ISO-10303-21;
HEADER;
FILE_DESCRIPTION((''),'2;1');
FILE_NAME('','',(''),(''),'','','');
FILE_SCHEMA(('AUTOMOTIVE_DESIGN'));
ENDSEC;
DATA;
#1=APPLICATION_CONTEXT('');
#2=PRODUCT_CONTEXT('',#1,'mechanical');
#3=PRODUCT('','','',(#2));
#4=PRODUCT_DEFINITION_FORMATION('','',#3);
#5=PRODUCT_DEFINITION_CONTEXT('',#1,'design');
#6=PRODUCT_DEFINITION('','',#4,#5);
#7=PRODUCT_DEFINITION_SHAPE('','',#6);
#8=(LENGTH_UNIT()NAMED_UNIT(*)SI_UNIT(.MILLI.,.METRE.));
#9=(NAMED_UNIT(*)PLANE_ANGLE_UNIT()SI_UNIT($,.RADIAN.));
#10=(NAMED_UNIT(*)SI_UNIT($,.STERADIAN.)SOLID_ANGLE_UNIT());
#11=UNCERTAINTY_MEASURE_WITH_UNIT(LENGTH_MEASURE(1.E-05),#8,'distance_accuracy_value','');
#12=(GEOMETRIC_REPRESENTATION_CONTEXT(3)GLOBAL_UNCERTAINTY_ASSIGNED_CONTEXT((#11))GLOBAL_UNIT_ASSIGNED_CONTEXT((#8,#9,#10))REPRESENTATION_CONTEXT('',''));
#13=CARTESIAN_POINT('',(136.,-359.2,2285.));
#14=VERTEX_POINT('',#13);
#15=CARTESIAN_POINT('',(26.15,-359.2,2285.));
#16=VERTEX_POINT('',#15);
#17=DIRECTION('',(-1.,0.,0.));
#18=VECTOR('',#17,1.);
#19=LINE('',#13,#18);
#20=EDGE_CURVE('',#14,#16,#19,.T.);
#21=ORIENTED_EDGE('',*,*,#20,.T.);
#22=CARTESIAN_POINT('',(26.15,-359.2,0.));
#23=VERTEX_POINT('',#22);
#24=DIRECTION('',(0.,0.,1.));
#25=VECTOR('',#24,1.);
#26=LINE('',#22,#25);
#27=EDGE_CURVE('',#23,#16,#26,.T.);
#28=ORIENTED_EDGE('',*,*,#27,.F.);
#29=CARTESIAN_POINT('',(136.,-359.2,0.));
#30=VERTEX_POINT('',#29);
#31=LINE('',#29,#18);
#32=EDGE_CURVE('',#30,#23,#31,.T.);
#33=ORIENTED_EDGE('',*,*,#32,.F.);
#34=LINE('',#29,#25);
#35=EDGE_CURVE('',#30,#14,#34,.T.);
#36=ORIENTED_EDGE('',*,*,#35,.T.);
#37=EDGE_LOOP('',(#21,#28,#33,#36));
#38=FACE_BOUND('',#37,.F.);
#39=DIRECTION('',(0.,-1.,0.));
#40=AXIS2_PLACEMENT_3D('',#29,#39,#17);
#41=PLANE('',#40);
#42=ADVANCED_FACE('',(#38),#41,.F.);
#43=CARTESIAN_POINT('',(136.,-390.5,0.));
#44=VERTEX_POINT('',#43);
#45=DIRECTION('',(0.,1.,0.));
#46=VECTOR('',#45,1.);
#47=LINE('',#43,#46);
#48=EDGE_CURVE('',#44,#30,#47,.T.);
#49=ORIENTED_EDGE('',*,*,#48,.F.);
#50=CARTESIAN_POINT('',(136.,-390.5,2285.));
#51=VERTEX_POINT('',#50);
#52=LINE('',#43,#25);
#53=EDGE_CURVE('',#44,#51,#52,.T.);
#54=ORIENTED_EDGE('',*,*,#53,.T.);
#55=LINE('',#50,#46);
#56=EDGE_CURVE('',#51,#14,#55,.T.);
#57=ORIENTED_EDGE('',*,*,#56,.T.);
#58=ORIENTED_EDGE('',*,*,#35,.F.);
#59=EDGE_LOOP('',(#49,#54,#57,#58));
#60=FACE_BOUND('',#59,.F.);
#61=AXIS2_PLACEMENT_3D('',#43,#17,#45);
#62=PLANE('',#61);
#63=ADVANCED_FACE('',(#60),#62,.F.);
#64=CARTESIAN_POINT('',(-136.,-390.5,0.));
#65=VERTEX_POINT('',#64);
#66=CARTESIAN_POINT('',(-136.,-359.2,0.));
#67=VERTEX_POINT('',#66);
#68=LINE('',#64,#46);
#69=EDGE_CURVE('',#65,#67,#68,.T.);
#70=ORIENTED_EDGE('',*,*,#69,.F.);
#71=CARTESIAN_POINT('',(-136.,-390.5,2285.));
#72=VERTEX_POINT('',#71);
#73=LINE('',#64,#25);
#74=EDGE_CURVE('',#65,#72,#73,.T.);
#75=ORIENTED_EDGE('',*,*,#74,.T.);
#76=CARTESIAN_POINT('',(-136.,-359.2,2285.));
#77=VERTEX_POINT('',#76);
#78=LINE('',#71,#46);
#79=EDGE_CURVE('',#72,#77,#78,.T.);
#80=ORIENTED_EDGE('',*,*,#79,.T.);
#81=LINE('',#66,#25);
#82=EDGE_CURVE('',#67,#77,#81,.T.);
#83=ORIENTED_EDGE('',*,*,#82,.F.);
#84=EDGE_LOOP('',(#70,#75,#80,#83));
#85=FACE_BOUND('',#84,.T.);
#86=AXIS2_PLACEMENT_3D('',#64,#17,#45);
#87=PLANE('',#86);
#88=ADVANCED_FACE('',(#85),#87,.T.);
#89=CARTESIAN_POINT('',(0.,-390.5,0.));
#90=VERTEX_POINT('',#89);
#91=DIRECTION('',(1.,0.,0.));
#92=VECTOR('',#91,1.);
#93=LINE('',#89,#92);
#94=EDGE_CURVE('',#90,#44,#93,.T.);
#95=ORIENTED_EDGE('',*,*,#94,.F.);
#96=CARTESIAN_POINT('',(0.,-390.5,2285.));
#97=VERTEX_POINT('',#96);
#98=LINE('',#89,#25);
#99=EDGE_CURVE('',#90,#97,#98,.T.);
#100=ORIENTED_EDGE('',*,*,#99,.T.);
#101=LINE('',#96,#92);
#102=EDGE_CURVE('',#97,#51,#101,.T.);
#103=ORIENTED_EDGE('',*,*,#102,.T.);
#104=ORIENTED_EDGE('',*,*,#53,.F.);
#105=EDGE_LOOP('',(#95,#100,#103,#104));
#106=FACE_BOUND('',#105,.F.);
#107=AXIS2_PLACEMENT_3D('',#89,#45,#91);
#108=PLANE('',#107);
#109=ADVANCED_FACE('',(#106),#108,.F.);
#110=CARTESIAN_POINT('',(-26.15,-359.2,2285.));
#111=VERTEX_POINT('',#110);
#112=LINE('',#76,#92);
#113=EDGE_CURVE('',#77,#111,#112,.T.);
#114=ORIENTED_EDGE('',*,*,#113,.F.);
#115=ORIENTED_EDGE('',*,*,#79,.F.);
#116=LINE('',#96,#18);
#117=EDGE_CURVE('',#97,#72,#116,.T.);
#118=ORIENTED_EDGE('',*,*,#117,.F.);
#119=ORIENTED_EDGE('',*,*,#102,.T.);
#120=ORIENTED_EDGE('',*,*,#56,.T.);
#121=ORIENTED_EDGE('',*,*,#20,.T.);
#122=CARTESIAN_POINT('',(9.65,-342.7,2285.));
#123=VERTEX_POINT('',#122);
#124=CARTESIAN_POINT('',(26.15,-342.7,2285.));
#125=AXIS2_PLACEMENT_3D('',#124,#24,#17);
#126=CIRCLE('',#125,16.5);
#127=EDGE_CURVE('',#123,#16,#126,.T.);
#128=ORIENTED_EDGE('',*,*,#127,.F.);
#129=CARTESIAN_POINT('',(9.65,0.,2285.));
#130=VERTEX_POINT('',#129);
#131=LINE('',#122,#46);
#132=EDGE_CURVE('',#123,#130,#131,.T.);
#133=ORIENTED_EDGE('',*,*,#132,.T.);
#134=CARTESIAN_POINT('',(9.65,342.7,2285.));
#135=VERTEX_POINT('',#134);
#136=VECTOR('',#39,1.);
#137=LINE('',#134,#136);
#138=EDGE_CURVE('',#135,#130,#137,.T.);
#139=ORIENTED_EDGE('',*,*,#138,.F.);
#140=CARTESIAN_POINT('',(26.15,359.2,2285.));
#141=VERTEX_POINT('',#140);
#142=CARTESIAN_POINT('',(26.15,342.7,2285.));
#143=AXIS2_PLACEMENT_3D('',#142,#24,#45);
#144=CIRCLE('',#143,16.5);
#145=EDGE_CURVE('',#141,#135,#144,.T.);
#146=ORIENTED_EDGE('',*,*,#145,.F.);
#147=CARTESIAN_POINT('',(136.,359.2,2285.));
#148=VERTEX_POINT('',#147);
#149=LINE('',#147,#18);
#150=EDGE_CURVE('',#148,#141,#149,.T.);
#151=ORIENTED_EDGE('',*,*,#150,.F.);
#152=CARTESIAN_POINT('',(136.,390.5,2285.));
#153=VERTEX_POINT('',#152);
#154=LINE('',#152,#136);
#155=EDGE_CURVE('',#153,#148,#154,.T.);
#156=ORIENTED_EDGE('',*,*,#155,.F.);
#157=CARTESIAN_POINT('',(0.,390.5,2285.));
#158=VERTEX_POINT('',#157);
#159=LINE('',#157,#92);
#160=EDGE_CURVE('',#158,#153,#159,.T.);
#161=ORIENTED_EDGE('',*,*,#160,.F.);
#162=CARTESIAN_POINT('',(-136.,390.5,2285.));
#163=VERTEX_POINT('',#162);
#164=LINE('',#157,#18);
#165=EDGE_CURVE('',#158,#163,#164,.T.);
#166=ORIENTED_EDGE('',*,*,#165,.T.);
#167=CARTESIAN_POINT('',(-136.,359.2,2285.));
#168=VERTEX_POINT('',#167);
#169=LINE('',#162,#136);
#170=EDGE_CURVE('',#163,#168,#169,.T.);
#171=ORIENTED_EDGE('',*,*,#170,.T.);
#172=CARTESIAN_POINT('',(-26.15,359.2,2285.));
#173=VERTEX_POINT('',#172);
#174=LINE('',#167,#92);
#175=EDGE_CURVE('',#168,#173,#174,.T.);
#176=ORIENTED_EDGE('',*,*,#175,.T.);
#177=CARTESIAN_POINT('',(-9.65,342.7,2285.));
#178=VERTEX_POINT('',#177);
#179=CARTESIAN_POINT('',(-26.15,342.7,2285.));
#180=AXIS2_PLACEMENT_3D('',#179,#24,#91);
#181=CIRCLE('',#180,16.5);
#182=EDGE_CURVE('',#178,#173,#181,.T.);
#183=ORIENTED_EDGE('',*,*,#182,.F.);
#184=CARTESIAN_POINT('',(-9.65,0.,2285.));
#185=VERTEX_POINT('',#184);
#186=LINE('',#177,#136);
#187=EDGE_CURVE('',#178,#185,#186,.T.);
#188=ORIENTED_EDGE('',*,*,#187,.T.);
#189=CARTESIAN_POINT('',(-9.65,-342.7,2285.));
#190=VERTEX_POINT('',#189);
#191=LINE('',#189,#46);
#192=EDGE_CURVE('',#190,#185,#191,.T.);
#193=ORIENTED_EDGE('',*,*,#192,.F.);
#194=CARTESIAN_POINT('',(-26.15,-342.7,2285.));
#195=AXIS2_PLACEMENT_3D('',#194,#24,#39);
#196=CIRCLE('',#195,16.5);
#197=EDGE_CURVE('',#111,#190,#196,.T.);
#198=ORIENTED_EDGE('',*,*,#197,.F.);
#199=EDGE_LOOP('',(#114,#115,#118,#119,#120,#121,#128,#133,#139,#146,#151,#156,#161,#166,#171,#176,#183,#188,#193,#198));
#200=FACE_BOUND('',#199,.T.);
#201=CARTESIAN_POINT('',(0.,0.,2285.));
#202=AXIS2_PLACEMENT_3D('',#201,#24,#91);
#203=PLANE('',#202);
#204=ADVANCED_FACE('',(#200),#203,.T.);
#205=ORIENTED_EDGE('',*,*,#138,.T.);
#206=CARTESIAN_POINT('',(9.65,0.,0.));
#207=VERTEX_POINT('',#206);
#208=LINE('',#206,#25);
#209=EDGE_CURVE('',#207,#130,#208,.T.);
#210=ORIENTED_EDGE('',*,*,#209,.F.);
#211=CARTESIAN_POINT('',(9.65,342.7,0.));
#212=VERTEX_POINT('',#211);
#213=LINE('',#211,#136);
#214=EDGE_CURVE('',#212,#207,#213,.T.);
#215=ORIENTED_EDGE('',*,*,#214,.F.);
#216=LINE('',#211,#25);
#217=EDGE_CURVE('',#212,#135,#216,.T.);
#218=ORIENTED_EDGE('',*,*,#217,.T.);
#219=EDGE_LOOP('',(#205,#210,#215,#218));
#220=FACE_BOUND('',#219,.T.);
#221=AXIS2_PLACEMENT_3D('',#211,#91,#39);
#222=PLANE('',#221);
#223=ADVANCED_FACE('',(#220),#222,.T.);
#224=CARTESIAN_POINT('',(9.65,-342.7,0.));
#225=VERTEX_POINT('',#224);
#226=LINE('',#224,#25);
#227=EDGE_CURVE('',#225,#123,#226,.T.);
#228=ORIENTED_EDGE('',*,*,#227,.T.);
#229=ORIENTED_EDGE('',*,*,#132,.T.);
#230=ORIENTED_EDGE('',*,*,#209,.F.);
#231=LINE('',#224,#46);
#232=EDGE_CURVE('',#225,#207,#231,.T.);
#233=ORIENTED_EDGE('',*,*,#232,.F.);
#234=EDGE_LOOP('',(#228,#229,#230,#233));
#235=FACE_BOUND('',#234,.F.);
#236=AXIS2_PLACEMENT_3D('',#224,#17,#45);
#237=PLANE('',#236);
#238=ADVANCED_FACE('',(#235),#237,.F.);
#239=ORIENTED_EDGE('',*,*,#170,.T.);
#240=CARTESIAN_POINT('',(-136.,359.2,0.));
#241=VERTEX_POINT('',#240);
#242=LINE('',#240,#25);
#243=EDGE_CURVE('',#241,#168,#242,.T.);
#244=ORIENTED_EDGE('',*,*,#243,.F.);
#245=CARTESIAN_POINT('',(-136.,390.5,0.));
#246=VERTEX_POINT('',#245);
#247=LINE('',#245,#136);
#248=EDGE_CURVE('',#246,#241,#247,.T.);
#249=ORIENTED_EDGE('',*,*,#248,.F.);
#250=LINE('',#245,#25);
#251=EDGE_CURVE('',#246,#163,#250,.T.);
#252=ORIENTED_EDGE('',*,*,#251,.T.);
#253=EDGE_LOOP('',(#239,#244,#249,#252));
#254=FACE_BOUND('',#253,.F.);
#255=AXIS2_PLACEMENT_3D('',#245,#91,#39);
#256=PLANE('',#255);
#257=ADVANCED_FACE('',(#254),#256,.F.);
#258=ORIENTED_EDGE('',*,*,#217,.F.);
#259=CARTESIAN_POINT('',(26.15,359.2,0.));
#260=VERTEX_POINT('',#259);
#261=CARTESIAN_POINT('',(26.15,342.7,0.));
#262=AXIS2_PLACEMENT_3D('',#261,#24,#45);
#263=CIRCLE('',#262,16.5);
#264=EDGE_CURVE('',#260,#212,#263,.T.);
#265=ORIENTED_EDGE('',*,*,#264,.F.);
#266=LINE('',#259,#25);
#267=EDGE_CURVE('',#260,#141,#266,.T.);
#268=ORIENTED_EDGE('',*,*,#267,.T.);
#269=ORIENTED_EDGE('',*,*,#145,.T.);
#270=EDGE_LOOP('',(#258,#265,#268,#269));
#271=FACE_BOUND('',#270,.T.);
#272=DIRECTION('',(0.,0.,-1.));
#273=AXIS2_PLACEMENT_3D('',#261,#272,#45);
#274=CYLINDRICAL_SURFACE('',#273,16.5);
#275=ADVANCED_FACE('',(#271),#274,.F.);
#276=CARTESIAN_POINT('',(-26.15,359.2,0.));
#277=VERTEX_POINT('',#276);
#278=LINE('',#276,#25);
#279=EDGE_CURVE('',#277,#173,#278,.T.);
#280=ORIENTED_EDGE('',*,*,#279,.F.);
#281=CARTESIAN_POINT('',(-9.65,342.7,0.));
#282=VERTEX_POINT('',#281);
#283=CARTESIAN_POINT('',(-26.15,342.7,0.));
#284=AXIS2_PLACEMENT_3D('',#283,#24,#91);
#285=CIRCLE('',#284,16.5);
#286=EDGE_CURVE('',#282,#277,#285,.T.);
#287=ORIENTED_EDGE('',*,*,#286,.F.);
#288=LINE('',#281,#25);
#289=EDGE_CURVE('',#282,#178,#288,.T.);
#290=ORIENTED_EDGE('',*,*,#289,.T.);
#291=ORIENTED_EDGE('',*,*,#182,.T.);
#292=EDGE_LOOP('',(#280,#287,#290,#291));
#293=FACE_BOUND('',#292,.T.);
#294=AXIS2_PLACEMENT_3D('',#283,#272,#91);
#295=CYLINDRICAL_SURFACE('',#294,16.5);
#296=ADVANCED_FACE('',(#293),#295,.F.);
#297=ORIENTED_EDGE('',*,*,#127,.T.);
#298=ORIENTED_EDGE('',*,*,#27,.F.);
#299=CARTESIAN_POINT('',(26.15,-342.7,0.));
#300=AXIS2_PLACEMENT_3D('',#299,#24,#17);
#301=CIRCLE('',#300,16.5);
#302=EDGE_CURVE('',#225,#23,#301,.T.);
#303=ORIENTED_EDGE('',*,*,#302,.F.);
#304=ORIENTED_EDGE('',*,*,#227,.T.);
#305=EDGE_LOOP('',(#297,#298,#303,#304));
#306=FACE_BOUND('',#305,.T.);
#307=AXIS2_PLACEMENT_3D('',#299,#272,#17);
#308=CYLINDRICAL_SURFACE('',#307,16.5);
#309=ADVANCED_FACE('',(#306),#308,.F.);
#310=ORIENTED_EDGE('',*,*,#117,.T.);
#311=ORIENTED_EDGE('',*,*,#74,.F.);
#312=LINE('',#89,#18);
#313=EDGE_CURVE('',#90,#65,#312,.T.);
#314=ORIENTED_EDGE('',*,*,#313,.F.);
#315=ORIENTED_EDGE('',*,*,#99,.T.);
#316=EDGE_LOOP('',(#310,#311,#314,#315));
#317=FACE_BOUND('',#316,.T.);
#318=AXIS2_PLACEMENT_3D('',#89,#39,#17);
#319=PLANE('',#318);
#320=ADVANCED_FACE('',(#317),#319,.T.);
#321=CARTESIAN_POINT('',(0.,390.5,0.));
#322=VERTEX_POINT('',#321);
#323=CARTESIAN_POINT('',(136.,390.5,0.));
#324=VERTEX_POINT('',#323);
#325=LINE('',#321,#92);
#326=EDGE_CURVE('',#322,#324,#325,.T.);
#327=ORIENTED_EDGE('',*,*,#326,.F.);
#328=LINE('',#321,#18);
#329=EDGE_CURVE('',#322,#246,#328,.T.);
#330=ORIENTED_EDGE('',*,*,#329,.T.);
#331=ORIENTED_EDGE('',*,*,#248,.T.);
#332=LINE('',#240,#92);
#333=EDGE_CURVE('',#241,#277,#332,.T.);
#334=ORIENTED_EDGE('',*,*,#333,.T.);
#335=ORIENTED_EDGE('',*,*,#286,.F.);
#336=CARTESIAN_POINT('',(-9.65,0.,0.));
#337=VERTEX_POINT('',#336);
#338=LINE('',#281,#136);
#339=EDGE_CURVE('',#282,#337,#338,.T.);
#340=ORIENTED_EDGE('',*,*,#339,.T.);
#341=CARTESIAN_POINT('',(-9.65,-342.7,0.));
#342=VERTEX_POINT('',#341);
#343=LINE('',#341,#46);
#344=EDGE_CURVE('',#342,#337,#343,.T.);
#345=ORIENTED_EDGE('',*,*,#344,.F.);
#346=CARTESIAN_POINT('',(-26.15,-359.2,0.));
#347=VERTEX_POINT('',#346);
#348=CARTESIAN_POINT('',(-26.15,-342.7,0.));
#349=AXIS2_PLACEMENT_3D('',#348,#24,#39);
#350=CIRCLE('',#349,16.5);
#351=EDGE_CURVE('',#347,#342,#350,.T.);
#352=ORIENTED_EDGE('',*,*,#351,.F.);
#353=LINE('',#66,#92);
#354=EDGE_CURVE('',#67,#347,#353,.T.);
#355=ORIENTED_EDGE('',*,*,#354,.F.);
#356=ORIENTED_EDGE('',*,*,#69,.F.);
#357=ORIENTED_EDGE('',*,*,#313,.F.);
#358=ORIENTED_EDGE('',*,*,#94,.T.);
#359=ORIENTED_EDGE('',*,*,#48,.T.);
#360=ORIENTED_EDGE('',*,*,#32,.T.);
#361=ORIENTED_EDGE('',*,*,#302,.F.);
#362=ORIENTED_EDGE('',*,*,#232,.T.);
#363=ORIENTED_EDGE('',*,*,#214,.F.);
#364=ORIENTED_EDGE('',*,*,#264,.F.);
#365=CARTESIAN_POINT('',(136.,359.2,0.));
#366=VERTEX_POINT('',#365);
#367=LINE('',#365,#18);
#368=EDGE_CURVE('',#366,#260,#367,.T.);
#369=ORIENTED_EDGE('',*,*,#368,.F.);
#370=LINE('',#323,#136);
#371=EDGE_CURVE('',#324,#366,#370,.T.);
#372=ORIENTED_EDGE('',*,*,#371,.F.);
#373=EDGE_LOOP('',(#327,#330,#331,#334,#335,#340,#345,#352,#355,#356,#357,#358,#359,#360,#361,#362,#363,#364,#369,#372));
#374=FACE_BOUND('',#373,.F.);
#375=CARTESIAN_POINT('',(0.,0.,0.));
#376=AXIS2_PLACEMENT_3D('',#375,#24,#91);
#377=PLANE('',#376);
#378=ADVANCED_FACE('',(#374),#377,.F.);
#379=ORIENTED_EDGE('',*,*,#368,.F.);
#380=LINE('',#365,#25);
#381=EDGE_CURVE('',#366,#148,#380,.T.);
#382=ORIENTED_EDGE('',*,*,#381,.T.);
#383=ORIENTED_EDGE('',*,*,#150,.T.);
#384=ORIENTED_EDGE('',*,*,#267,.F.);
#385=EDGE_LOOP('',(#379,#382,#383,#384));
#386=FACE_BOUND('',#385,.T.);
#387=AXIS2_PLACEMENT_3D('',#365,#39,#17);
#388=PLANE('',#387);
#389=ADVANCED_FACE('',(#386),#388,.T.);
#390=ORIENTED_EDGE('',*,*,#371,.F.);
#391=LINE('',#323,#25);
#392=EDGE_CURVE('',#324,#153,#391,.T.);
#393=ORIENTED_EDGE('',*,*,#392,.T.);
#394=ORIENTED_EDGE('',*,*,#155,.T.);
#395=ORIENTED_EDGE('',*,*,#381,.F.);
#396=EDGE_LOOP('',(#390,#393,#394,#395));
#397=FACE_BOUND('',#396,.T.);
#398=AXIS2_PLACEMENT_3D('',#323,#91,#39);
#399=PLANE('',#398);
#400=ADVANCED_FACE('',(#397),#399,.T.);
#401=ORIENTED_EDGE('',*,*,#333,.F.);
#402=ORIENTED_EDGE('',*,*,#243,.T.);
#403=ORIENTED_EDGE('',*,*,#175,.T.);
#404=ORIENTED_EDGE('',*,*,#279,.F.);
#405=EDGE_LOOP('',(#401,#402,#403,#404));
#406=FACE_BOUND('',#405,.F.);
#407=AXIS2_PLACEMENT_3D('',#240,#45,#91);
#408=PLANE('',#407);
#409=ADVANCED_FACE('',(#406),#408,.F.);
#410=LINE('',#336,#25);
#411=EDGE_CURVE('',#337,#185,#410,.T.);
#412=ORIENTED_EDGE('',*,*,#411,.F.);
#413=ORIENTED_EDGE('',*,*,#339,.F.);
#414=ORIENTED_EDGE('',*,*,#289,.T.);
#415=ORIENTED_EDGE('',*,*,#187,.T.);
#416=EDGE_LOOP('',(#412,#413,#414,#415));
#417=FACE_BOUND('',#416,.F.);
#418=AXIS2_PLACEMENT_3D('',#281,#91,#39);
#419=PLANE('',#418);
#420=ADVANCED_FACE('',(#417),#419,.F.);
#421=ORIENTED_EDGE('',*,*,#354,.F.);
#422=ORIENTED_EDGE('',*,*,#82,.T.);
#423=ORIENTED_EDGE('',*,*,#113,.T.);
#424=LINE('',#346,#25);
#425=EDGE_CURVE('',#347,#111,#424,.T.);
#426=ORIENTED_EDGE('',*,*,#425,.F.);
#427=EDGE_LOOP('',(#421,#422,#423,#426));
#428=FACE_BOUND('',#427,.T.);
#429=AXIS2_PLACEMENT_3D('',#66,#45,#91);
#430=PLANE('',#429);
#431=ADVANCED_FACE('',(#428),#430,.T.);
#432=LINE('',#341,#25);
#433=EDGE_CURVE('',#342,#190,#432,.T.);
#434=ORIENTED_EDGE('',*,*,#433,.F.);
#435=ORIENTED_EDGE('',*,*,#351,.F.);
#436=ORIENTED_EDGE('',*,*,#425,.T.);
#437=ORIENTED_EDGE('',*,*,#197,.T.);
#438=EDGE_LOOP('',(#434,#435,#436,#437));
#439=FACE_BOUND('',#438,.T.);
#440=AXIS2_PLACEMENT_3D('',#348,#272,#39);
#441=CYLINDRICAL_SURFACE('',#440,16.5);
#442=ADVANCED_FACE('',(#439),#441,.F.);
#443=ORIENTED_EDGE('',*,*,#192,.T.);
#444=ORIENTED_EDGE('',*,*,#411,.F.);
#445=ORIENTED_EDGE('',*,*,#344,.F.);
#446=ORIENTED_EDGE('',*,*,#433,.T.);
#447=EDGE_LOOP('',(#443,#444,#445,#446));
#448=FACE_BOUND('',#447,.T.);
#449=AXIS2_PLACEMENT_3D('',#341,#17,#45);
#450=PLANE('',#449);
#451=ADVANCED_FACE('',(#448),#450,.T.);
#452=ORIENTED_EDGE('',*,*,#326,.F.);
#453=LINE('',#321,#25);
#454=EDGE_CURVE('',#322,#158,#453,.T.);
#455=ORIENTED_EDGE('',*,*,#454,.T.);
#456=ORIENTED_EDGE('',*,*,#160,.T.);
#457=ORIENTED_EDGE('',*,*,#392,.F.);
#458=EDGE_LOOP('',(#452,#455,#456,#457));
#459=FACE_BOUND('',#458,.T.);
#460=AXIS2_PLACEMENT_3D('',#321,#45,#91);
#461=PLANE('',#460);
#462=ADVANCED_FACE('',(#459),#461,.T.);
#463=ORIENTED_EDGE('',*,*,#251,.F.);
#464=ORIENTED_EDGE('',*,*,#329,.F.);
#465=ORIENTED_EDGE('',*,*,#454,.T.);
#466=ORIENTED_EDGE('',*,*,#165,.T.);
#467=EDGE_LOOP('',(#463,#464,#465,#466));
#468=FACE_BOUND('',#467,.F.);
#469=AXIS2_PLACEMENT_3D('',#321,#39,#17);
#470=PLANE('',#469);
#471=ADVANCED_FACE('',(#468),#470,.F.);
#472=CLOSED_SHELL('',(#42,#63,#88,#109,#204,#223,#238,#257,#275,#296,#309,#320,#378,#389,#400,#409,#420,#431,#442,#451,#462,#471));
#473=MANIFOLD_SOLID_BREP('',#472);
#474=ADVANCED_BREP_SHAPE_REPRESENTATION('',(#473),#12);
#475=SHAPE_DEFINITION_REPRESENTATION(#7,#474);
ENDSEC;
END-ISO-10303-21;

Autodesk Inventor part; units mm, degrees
ref_plane "YZ Plane" through (0, 0, 0) normal (1, 0, 0) x (0, 1, 0)
ref_plane "Start plane" through (0, 0, 0) normal (0, 0, 1) x (1, 0, 0)
ref_plane "End plane" through (0, 0, 2285) normal (0, 0, 1) x (1, 0, 0)
sketch "Sketch" plane through (0, 0, 0) normal (0, 0, 1) x (1, 0, 0)
  line L0 (-136, -390.5) -> (-136, -359.2)
  line L1 (-136, -359.2) -> (-26.15, -359.2)
  line L2 (-9.65, -342.7) -> (-9.65, 0)
  line L3 (-9.65, 0) -> (0, 0) construction
  line L4 (0, 0) -> (0, -390.5) construction
  line L5 (0, -390.5) -> (-136, -390.5)
  line L6 (-60, 0) -> (80, 0) construction
  line L7 (0, -60) -> (0, 80) construction
  line L8 (136, -390.5) -> (136, -359.2)
  line L9 (136, -359.2) -> (26.15, -359.2)
  line L10 (9.65, -342.7) -> (9.65, 0)
  line L11 (9.65, 0) -> (0, 0) construction
  line L12 (0, -390.5) -> (136, -390.5)
  line L13 (-136, 390.5) -> (-136, 359.2)
  line L14 (-136, 359.2) -> (-26.15, 359.2)
  line L15 (-9.65, 342.7) -> (-9.65, 0)
  line L16 (0, 390.5) -> (-136, 390.5)
  line L17 (136, 390.5) -> (136, 359.2)
  line L18 (136, 359.2) -> (26.15, 359.2)
  line L19 (0, 390.5) -> (136, 390.5)
  line L20 (9.65, 342.7) -> (9.65, 0)
  arc A0 (-9.65, 342.7) -> (-26.15, 359.2) centre (-26.15, 342.7) ccw
  arc A1 (26.15, 359.2) -> (9.65, 342.7) centre (26.15, 342.7) ccw
  arc A2 (9.65, -342.7) -> (26.15, -359.2) centre (26.15, -342.7) ccw
  arc A3 (-26.15, -359.2) -> (-9.65, -342.7) centre (-26.15, -342.7) ccw
  line L21 (0, 108) -> (0, -88) construction
  line L22 (-88, 0) -> (108, 0) construction
  point P0 (-9.65, -359.2)
  point P1 (9.65, -359.2)
  point P2 (-9.65, 359.2)
  point P3 (9.65, 359.2)
  dimension "d1" = 390.5
  dimension "d2" = 31.3
  dimension "d3" = 136
  dimension "d4" = 9.65
  dimension "d10" = 16.5
extrude "Body" add sketch "Sketch" along normal up to surface (2285 mm away) from surface at 0
sketch "Sketch4" plane through (0, 0, 0) normal (0, 0, 1) x (1, 0, 0)
  line L0 (0, 0) -> (10, 0)
ref_plane "Work Plane3" through (0, 0, 0) normal (0, -1, 0) x (1, 0, 0)
sketch "Sketch5" plane through (0, 0, 0) normal (0, -1, 0) x (1, 0, 0)
  line L0 (-2, 0) -> (12, 0) projected
  line L1 (-2, 2285) -> (12, 2285) projected
  dimension "d14" = 2285
equation "\"d1\" = 0.5 * G_H"
equation "\"d2\" = G_T1"
equation "\"d3\" = 0.5 * G_W"
equation "\"d4\" = 0.5 * G_T"
equation "\"d10\" = G_IR"
equation "\"d5\" = G_L"
equation "\"G_W\" = 272"
equation "\"G_H\" = 781"
equation "\"G_T\" = 19.3"
equation "\"G_T1\" = 31.3"
equation "\"G_IR\" = 16.5"
equation "\"G_L\" = d14"
equation "\"G_OFFSET_START\" = 0"
equation "\"G_OFFSET_END\" = 0"
equation "\"d12\" = G_OFFSET_END + B_L"
equation "\"B_L\" = 2285"
properties part number "AS 3679-1990 - 760 UB - 244 - 2285" material "Steel, Mild"
